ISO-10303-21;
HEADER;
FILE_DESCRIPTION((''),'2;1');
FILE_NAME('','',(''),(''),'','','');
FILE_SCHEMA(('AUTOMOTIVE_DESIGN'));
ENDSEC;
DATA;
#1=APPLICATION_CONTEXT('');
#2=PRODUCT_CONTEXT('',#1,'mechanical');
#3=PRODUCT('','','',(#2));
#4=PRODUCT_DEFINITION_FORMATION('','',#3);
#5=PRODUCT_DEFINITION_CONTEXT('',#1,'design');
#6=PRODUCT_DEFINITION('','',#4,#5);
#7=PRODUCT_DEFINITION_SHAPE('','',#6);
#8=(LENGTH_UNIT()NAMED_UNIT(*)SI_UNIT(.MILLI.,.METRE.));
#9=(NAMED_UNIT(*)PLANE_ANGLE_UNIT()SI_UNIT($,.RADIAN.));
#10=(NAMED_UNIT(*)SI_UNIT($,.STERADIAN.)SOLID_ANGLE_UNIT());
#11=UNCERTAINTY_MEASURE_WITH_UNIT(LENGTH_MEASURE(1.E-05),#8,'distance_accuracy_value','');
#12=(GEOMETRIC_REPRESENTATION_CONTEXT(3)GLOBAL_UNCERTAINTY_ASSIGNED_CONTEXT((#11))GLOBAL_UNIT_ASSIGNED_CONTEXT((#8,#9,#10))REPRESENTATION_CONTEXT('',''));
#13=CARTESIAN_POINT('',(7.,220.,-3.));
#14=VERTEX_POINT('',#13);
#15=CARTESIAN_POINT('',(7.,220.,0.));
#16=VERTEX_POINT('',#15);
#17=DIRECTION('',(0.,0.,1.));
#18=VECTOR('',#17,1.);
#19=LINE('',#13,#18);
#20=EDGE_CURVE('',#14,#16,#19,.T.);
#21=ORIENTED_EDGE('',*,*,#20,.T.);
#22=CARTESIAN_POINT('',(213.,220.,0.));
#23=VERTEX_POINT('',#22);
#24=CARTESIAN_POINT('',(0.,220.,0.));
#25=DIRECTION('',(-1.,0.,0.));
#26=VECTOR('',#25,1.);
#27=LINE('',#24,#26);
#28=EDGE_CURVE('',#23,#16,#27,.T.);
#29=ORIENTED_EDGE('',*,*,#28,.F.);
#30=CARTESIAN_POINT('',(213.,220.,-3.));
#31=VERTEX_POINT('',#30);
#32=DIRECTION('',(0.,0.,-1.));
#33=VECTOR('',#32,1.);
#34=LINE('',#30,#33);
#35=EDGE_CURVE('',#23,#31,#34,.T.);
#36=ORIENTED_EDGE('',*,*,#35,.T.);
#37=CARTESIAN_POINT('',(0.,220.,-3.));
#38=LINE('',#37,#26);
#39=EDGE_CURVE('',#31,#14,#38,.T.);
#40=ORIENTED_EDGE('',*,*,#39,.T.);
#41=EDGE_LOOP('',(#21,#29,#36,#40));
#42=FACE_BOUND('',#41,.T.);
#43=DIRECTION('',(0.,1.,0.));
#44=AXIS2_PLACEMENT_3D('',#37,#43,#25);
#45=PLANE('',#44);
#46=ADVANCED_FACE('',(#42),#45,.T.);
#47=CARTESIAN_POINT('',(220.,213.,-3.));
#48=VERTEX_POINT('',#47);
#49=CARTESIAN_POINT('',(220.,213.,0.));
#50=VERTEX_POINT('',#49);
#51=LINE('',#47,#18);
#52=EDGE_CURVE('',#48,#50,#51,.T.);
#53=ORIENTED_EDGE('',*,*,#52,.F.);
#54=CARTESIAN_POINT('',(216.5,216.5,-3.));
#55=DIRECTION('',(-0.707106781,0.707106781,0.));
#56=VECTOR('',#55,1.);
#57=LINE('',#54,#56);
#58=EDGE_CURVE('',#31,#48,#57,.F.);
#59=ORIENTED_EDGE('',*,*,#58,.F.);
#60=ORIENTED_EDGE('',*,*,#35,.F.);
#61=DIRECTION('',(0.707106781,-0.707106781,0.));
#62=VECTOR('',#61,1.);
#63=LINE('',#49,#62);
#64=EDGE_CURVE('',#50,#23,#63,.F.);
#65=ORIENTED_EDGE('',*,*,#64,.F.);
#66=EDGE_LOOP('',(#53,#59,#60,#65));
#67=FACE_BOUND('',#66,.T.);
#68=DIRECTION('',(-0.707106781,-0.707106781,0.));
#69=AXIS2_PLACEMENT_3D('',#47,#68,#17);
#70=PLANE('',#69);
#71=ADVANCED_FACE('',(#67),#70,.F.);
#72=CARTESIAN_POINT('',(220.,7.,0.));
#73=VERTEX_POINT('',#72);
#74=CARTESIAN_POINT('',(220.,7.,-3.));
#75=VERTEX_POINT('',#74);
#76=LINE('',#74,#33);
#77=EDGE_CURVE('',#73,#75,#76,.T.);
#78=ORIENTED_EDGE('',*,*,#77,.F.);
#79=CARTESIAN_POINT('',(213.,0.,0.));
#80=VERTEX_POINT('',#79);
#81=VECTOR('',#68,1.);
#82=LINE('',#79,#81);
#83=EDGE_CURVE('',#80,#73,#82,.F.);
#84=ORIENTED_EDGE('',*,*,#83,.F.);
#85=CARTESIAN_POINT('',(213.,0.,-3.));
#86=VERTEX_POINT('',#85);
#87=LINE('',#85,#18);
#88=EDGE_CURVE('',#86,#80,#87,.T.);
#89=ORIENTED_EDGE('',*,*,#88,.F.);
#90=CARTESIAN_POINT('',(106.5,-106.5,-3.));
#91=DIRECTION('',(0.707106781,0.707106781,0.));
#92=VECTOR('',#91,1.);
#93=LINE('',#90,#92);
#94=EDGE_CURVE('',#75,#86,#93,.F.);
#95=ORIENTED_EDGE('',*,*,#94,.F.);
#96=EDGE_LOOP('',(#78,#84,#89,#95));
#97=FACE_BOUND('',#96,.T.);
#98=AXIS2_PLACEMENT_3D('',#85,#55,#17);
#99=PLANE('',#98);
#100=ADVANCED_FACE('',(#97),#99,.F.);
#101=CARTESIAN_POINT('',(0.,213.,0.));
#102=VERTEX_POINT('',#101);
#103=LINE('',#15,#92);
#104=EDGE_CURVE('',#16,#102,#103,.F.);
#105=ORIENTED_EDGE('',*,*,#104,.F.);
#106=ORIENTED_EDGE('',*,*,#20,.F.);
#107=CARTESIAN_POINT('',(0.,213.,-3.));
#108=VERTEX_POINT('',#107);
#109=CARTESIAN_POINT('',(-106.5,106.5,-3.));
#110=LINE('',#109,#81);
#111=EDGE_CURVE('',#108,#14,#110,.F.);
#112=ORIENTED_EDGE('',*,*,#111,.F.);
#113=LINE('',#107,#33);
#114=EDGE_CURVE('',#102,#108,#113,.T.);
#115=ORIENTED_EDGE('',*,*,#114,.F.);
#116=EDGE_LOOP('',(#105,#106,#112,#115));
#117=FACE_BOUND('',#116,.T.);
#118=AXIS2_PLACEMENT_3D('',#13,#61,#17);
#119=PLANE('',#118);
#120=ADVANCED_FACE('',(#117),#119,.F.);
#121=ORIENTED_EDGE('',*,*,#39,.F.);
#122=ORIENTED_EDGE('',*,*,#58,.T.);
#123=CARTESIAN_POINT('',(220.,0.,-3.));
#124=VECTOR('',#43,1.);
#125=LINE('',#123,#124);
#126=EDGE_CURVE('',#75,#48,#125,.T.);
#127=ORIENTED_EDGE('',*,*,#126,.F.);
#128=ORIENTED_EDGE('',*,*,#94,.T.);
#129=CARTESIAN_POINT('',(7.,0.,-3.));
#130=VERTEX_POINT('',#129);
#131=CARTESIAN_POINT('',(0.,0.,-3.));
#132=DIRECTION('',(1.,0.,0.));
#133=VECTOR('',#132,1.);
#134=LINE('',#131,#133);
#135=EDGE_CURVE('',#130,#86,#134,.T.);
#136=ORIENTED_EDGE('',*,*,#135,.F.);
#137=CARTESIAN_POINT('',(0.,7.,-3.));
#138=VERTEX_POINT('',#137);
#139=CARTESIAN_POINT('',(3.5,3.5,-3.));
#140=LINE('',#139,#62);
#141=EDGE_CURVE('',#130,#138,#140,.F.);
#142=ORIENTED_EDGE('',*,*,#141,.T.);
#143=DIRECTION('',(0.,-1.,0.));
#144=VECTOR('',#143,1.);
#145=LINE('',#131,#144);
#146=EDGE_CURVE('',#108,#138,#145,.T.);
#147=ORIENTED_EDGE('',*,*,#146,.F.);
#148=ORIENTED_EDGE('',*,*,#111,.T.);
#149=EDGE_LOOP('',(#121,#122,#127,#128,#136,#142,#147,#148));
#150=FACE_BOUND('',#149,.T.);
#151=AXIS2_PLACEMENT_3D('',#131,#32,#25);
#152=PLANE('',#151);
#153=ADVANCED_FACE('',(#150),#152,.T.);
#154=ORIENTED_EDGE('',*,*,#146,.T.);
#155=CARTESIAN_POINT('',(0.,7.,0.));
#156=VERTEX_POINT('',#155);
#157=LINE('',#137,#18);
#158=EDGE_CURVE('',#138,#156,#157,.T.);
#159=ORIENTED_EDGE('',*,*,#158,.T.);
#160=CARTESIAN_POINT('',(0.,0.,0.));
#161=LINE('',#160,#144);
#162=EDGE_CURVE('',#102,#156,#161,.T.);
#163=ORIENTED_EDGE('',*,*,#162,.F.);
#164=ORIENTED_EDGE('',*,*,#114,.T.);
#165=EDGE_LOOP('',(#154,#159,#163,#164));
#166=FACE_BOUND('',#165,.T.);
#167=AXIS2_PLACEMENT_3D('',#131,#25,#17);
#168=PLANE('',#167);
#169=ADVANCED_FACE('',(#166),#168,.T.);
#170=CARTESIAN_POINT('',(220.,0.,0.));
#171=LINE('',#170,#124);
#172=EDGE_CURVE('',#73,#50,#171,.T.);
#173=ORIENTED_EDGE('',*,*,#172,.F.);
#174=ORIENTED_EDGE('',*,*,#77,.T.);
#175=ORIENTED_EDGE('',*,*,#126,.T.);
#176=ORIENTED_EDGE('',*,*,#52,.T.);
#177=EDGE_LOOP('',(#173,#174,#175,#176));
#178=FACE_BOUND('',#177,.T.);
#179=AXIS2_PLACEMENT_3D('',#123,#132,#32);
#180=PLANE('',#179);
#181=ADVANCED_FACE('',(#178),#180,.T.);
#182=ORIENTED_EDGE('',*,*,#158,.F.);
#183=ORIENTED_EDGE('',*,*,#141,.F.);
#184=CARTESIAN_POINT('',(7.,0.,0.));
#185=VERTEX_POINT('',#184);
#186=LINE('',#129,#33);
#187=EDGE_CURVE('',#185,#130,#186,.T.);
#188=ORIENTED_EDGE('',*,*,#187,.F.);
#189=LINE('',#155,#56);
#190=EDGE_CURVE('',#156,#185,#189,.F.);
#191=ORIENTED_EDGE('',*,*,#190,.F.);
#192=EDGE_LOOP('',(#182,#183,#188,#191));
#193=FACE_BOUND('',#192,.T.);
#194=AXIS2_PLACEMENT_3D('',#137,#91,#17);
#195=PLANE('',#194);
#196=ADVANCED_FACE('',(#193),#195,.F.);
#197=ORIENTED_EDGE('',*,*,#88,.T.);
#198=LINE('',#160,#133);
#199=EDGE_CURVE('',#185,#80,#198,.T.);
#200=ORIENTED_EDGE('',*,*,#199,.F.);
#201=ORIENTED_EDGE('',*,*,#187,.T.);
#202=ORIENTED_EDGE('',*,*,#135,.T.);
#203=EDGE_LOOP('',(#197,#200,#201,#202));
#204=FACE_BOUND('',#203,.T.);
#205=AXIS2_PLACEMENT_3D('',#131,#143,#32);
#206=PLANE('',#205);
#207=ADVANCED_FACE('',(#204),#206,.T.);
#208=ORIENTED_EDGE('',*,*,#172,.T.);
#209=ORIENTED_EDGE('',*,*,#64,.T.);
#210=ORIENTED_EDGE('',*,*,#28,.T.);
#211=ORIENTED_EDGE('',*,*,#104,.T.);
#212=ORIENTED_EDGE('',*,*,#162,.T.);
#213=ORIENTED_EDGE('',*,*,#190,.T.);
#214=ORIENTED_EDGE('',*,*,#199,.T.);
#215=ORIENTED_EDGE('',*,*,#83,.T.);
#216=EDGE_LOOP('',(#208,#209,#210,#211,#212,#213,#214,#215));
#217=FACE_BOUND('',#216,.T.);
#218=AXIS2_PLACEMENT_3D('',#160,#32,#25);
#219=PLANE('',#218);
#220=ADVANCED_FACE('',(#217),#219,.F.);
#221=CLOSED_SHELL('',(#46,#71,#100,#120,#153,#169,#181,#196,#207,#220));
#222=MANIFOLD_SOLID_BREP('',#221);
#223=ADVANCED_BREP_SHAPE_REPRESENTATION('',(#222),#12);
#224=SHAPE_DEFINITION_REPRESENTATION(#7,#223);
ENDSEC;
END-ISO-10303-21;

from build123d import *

# Parameters (mm, degrees)
SKETCH1_W           = 220
SKETCH1_H           = 220
BOSS_EXTRUDE1_DEPTH = 3
CHAMFER1_SIZE       = 7


with BuildPart() as part:
    # Sketch1 → Boss-Extrude1 (new body)
    with BuildSketch(Plane.XY):
        with Locations((110, 110)):
            Rectangle(SKETCH1_W, SKETCH1_H)
    extrude(amount=-BOSS_EXTRUDE1_DEPTH)

    # Chamfer1
    chamfer1_edges = [part.edges().sort_by_distance(p)[0] for p in [
        (0, 220, -1.5),
        (220, 220, -1.5),
        (220, 0, -1.5),
        (0, 0, -1.5),
    ]]
    chamfer(chamfer1_edges, length=CHAMFER1_SIZE)


solid = part.part
